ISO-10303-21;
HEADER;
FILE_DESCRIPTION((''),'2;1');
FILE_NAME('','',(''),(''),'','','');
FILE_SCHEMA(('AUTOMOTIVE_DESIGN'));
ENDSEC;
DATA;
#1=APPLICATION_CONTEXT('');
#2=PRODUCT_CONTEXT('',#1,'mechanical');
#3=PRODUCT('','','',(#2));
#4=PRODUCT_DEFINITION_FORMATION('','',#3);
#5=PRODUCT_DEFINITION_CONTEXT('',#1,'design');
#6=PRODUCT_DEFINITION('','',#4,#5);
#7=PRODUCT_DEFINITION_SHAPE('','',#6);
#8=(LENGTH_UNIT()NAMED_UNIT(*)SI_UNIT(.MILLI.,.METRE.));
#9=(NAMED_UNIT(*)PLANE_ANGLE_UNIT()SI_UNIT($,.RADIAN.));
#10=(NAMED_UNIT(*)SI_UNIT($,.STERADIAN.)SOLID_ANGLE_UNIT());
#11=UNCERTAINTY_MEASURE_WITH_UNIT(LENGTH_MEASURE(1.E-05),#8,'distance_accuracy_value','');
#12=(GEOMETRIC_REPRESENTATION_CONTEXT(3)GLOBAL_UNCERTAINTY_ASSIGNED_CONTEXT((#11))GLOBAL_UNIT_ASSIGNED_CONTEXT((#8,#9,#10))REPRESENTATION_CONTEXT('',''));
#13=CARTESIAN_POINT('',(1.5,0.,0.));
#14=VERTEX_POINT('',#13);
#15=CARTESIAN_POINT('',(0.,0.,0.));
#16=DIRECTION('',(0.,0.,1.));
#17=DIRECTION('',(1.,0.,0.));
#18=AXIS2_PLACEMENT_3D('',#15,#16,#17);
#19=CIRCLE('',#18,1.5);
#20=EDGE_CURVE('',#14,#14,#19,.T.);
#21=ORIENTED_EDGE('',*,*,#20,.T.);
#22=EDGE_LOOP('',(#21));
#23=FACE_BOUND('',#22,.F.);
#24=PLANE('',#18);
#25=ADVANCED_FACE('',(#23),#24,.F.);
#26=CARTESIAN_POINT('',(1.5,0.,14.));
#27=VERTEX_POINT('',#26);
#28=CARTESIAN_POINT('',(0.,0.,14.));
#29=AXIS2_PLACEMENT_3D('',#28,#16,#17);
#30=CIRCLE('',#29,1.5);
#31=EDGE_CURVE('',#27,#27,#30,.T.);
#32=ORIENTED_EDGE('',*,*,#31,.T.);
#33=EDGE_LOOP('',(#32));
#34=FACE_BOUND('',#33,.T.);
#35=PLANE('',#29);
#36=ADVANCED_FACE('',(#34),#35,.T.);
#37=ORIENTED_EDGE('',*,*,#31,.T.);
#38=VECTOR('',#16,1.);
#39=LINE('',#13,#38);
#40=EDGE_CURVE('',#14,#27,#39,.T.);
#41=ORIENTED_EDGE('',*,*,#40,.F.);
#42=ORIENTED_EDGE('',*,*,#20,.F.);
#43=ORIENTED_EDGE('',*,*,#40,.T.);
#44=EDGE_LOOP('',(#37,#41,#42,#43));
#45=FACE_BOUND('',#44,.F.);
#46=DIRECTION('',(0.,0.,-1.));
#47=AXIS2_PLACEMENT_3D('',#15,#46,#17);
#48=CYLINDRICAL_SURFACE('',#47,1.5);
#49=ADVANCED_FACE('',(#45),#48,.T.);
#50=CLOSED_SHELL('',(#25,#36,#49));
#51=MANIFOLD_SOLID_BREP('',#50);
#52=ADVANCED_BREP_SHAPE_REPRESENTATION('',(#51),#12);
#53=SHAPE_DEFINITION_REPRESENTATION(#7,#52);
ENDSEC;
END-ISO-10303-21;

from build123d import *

# Parameters (mm, degrees)
SKETCH_R  = 1.5
PAD_DEPTH = 14


with BuildPart() as part:
    # Sketch → Pad (new body)
    with BuildSketch(Plane.XY):
        Circle(SKETCH_R)
    extrude(amount=PAD_DEPTH)


solid = part.part
